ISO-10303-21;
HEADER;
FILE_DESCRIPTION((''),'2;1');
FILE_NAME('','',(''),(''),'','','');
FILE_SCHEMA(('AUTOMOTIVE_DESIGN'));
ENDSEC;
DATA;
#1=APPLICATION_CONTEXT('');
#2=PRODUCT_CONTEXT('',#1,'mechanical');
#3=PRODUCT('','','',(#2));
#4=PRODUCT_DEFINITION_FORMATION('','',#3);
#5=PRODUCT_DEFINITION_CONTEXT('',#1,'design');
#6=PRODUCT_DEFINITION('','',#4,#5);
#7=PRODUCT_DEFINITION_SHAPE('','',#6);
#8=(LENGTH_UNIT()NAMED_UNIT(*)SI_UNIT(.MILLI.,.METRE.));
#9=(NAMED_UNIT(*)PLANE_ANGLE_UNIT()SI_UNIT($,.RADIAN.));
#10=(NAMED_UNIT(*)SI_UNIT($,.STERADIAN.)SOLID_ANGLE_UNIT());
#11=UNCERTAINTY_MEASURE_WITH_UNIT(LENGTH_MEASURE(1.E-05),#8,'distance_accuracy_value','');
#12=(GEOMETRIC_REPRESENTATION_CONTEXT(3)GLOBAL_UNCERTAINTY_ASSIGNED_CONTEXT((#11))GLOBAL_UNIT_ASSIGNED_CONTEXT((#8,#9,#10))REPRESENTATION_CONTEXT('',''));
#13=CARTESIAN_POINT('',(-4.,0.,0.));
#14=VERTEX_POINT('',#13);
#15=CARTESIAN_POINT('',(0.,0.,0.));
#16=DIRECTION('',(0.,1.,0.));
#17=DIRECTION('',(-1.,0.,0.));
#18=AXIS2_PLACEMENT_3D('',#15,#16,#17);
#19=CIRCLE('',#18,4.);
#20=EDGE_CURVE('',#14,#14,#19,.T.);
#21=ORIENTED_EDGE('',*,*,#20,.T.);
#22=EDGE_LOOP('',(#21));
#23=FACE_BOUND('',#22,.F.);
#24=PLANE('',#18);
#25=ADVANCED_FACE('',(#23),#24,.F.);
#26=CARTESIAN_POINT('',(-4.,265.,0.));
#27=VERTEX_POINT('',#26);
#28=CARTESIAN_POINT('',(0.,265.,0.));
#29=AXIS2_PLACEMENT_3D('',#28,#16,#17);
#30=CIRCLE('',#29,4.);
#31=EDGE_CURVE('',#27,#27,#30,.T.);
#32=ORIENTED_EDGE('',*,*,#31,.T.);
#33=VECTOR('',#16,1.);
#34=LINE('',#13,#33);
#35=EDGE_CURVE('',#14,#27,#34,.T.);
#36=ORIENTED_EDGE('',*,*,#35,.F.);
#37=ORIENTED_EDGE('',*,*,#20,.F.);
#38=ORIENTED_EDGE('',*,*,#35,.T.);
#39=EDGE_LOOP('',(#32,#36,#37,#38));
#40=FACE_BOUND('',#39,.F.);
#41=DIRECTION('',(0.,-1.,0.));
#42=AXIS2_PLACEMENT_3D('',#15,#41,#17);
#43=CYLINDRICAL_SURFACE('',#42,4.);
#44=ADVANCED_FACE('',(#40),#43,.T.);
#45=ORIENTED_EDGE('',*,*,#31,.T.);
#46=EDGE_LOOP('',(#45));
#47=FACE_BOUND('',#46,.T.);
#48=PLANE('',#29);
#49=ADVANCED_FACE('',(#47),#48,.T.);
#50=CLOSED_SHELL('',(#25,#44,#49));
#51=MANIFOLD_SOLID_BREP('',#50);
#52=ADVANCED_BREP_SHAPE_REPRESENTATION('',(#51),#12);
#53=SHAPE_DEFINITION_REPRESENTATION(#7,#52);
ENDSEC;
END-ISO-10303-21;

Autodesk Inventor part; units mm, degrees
ref_plane "YZ Plane" through (0, 0, 0) normal (1, 0, 0) x (0, 1, 0)
ref_plane "XZ Plane" through (0, 0, 0) normal (0, 1, 0) x (-1, 0, 0)
ref_plane "XY Plane" through (0, 0, 0) normal (0, 0, 1) x (1, 0, 0)
sketch "Sketch1" plane through (0, 0, 0) normal (0, 1, 0) x (-1, 0, 0)
  circle A0 centre (0, 0) radius 4
  dimension "d0" = 8
extrude "Extrusion1" add sketch "Sketch1" along normal blind 265
equation "\"d0\" = bar_diameter"
equation "\"d1\" = bar_length"
equation "\"bar_length\" = -hinge_insertion + pipe_length + connection_length"
equation "\"bar_diameter\" = 8"
equation "\"hinge_insertion\" = 15"
equation "\"pipe_length\" = 260"
equation "\"connection_length\" = 20"
properties part number "bar" material "Stainless Steel"
